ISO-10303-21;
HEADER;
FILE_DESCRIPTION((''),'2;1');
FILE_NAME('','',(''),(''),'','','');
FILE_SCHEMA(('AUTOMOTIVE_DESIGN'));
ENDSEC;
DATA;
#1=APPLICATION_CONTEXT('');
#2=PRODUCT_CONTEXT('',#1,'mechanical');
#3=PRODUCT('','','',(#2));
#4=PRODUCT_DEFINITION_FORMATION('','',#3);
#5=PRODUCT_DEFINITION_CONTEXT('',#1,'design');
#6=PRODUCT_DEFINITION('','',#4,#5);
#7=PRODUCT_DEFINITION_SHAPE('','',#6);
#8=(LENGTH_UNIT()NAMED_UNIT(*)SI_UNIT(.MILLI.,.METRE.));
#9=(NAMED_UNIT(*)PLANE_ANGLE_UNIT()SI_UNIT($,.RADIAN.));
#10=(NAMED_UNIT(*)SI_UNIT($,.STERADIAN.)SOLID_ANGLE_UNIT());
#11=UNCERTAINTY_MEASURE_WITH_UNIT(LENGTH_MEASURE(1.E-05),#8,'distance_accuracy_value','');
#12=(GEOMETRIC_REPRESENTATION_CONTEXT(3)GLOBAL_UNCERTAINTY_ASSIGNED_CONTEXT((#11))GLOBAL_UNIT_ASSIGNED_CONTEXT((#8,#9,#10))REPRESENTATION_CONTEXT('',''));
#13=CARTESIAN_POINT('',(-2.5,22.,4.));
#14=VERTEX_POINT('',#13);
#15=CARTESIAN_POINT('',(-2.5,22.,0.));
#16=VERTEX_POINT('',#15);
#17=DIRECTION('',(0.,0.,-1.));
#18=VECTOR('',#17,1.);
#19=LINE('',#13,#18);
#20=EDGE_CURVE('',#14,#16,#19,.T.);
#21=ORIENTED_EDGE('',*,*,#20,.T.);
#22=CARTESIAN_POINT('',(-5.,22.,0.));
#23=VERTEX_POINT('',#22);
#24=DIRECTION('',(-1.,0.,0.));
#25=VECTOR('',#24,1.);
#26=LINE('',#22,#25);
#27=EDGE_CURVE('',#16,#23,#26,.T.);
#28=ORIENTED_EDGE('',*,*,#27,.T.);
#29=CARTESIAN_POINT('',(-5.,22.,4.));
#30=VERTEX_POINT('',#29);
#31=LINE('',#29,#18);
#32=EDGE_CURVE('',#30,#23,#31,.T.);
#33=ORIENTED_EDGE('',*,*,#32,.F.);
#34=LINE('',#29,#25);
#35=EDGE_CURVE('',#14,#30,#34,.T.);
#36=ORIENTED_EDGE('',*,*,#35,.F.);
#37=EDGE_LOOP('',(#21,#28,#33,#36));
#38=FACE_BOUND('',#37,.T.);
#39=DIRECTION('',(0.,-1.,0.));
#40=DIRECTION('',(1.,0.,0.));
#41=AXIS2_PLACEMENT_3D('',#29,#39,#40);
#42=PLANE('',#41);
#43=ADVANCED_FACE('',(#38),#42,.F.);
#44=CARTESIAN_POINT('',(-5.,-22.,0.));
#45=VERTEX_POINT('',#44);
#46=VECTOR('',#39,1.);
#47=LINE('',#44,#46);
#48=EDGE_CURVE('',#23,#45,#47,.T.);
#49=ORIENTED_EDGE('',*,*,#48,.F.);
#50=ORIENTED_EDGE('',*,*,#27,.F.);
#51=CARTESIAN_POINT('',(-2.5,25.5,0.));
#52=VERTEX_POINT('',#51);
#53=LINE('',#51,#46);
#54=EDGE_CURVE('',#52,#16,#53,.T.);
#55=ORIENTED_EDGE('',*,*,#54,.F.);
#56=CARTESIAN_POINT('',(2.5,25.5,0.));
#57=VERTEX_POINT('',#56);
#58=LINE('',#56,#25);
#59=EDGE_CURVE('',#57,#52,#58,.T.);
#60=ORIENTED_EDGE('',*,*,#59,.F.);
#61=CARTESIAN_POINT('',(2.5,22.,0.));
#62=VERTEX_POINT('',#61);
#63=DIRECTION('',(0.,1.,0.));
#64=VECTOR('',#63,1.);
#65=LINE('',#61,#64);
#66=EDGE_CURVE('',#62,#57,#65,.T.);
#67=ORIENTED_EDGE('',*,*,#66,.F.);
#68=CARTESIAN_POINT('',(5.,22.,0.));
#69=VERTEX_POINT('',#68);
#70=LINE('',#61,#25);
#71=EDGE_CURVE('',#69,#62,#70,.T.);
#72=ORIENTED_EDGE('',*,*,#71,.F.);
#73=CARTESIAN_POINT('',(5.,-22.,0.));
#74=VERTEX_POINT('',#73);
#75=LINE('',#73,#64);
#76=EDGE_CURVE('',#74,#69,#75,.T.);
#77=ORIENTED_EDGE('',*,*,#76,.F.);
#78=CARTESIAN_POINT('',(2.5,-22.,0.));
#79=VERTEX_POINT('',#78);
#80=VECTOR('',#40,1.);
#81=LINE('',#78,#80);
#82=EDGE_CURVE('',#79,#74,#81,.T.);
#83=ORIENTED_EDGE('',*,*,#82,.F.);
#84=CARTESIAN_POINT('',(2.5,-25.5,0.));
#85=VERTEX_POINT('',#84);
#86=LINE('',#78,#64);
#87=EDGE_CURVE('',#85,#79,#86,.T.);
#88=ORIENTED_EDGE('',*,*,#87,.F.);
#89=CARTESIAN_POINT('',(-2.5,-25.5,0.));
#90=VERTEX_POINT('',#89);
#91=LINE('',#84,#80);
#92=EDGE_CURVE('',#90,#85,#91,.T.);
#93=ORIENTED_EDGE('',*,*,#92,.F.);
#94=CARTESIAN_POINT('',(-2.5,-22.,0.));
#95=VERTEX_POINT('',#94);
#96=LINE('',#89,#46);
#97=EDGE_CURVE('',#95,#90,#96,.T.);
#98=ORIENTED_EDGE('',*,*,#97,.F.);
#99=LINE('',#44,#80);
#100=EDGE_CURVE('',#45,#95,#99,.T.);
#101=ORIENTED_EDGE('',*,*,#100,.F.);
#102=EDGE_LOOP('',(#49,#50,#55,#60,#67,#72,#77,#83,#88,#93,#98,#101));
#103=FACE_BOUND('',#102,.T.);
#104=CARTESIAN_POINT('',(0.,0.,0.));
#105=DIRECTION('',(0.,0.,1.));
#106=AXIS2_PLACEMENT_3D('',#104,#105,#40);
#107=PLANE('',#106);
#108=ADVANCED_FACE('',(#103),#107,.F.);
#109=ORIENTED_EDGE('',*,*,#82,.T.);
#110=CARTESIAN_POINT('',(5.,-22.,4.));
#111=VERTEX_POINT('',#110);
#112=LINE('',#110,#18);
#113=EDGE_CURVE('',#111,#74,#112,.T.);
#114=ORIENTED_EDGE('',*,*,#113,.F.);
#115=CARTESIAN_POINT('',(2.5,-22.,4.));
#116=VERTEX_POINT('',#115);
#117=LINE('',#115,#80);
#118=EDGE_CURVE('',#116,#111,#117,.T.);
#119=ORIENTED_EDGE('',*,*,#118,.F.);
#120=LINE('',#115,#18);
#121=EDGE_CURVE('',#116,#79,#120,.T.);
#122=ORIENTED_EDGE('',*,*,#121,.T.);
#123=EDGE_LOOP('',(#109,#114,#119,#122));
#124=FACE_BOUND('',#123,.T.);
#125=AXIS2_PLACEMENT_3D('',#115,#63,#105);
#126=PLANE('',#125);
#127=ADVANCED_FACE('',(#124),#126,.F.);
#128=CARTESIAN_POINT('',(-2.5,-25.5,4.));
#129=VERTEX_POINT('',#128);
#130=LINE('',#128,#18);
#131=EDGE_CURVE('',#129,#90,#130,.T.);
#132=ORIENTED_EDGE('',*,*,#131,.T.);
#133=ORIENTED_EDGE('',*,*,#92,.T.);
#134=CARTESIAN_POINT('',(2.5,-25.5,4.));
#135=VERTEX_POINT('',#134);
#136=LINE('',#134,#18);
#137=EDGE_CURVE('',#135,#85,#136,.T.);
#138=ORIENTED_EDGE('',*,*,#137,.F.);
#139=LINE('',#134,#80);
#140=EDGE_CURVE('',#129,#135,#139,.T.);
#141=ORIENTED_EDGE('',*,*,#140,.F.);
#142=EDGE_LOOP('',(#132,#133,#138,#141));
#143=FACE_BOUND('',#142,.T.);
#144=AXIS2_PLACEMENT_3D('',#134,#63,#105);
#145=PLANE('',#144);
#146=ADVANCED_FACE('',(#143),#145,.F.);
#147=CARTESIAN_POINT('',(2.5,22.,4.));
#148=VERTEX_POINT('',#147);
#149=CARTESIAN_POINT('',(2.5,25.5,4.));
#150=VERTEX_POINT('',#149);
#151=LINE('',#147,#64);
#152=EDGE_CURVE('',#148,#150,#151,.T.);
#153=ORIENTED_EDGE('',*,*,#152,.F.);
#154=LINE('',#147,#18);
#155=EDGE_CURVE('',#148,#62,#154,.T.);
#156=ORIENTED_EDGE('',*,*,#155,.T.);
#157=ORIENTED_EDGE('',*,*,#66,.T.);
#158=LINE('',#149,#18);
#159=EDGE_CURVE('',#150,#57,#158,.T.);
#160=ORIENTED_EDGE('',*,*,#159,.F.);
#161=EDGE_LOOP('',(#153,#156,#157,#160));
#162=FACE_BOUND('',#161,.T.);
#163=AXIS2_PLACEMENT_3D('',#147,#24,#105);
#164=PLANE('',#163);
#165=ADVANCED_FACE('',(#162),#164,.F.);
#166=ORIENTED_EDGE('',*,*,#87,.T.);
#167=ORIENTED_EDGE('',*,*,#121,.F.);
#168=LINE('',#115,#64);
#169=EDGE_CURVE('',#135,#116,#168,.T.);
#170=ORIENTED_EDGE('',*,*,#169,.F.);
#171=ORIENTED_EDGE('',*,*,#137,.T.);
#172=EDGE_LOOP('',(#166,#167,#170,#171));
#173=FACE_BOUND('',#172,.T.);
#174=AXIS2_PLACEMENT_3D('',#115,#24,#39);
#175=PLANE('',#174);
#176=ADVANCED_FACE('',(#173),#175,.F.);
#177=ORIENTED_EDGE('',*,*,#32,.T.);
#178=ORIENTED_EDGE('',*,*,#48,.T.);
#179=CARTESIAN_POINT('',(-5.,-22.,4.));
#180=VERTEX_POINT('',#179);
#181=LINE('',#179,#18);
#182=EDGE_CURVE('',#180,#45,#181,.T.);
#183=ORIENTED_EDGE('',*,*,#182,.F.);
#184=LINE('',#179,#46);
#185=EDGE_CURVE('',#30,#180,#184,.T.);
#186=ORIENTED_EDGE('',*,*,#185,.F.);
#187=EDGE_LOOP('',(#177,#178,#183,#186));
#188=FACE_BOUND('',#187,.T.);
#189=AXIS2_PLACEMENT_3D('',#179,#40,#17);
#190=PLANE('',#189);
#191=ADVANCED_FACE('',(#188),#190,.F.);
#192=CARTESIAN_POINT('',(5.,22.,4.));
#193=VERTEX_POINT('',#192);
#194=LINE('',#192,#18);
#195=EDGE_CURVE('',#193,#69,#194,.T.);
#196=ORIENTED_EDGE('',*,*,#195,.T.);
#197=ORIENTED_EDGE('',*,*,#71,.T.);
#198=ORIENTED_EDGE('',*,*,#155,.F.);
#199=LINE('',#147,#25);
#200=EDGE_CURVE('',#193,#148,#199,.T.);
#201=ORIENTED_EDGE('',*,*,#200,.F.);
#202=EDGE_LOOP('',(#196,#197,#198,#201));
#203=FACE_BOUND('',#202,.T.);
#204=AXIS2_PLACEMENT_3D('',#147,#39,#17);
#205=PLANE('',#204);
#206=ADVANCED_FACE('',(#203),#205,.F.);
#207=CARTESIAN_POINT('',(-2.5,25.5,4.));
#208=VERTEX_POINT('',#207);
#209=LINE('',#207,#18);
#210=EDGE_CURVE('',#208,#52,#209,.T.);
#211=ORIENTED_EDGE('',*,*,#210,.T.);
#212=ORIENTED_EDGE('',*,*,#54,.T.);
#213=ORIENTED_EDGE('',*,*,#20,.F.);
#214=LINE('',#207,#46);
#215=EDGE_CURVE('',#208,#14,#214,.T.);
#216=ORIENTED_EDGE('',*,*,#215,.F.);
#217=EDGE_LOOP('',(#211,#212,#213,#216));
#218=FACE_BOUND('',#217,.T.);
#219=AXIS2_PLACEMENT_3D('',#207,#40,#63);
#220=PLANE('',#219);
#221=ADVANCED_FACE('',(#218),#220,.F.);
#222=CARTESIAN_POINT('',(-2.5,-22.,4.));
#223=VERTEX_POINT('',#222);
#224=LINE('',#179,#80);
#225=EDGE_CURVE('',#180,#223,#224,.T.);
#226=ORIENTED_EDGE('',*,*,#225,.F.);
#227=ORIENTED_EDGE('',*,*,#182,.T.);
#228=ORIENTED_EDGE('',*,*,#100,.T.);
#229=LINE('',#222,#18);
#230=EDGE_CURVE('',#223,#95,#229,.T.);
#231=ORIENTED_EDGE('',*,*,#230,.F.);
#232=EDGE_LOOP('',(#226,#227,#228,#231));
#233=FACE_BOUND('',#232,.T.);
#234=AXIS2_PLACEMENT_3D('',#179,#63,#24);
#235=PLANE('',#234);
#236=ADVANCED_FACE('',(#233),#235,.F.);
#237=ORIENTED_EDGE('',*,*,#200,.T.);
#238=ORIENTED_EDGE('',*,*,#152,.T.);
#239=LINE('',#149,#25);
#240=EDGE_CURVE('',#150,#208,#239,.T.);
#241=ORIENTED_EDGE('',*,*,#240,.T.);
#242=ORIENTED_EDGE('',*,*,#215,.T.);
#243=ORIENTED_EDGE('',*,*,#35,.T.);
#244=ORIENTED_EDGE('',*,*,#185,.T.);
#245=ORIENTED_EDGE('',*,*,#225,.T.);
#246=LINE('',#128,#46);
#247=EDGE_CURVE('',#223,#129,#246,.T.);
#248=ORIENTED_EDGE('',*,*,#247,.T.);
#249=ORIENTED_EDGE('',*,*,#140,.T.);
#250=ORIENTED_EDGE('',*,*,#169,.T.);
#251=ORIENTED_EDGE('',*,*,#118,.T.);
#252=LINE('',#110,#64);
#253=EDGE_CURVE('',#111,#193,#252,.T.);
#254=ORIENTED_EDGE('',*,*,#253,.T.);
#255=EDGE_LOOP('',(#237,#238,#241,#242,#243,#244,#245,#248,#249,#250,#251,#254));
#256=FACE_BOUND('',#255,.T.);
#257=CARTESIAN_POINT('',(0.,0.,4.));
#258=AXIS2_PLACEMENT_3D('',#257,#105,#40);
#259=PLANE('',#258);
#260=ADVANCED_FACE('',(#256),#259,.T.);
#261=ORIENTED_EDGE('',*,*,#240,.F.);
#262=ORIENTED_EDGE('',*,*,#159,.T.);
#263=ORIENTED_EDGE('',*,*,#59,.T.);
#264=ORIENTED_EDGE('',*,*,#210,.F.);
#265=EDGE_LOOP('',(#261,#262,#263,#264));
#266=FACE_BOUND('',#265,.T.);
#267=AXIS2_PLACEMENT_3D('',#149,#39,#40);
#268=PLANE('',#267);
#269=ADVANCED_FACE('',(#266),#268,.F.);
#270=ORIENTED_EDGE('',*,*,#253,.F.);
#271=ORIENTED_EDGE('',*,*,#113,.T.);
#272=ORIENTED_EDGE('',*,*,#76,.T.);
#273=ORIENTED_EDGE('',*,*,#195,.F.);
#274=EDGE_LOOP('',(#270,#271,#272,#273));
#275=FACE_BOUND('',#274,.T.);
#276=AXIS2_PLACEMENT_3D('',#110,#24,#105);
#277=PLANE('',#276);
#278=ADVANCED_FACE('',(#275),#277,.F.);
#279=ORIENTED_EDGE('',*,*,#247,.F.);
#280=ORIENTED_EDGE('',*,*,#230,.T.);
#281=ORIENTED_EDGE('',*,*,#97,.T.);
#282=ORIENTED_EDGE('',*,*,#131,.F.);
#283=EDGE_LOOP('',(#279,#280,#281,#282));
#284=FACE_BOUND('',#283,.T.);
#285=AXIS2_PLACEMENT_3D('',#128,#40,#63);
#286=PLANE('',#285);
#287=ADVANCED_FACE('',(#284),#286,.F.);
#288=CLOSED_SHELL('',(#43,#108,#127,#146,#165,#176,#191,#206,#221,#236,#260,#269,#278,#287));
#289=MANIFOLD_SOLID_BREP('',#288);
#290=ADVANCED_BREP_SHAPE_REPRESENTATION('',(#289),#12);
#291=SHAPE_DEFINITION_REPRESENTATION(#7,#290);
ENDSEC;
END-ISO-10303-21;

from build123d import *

# Parameters (mm, degrees)
BOSS_EXTRUDE1_DEPTH = 4


with BuildPart() as part:
    # Sketch1 → Boss-Extrude1 (new body)
    with BuildSketch(Plane.XY):
        Polygon((2.5, 22), (2.5, 25.5), (-2.5, 25.5), (-2.5, 22), (-5, 22), (-5, -22), (-2.5, -22), (-2.5, -25.5), (2.5, -25.5), (2.5, -22), (5, -22), (5, 22), align=None)
    extrude(amount=BOSS_EXTRUDE1_DEPTH)


solid = part.part
